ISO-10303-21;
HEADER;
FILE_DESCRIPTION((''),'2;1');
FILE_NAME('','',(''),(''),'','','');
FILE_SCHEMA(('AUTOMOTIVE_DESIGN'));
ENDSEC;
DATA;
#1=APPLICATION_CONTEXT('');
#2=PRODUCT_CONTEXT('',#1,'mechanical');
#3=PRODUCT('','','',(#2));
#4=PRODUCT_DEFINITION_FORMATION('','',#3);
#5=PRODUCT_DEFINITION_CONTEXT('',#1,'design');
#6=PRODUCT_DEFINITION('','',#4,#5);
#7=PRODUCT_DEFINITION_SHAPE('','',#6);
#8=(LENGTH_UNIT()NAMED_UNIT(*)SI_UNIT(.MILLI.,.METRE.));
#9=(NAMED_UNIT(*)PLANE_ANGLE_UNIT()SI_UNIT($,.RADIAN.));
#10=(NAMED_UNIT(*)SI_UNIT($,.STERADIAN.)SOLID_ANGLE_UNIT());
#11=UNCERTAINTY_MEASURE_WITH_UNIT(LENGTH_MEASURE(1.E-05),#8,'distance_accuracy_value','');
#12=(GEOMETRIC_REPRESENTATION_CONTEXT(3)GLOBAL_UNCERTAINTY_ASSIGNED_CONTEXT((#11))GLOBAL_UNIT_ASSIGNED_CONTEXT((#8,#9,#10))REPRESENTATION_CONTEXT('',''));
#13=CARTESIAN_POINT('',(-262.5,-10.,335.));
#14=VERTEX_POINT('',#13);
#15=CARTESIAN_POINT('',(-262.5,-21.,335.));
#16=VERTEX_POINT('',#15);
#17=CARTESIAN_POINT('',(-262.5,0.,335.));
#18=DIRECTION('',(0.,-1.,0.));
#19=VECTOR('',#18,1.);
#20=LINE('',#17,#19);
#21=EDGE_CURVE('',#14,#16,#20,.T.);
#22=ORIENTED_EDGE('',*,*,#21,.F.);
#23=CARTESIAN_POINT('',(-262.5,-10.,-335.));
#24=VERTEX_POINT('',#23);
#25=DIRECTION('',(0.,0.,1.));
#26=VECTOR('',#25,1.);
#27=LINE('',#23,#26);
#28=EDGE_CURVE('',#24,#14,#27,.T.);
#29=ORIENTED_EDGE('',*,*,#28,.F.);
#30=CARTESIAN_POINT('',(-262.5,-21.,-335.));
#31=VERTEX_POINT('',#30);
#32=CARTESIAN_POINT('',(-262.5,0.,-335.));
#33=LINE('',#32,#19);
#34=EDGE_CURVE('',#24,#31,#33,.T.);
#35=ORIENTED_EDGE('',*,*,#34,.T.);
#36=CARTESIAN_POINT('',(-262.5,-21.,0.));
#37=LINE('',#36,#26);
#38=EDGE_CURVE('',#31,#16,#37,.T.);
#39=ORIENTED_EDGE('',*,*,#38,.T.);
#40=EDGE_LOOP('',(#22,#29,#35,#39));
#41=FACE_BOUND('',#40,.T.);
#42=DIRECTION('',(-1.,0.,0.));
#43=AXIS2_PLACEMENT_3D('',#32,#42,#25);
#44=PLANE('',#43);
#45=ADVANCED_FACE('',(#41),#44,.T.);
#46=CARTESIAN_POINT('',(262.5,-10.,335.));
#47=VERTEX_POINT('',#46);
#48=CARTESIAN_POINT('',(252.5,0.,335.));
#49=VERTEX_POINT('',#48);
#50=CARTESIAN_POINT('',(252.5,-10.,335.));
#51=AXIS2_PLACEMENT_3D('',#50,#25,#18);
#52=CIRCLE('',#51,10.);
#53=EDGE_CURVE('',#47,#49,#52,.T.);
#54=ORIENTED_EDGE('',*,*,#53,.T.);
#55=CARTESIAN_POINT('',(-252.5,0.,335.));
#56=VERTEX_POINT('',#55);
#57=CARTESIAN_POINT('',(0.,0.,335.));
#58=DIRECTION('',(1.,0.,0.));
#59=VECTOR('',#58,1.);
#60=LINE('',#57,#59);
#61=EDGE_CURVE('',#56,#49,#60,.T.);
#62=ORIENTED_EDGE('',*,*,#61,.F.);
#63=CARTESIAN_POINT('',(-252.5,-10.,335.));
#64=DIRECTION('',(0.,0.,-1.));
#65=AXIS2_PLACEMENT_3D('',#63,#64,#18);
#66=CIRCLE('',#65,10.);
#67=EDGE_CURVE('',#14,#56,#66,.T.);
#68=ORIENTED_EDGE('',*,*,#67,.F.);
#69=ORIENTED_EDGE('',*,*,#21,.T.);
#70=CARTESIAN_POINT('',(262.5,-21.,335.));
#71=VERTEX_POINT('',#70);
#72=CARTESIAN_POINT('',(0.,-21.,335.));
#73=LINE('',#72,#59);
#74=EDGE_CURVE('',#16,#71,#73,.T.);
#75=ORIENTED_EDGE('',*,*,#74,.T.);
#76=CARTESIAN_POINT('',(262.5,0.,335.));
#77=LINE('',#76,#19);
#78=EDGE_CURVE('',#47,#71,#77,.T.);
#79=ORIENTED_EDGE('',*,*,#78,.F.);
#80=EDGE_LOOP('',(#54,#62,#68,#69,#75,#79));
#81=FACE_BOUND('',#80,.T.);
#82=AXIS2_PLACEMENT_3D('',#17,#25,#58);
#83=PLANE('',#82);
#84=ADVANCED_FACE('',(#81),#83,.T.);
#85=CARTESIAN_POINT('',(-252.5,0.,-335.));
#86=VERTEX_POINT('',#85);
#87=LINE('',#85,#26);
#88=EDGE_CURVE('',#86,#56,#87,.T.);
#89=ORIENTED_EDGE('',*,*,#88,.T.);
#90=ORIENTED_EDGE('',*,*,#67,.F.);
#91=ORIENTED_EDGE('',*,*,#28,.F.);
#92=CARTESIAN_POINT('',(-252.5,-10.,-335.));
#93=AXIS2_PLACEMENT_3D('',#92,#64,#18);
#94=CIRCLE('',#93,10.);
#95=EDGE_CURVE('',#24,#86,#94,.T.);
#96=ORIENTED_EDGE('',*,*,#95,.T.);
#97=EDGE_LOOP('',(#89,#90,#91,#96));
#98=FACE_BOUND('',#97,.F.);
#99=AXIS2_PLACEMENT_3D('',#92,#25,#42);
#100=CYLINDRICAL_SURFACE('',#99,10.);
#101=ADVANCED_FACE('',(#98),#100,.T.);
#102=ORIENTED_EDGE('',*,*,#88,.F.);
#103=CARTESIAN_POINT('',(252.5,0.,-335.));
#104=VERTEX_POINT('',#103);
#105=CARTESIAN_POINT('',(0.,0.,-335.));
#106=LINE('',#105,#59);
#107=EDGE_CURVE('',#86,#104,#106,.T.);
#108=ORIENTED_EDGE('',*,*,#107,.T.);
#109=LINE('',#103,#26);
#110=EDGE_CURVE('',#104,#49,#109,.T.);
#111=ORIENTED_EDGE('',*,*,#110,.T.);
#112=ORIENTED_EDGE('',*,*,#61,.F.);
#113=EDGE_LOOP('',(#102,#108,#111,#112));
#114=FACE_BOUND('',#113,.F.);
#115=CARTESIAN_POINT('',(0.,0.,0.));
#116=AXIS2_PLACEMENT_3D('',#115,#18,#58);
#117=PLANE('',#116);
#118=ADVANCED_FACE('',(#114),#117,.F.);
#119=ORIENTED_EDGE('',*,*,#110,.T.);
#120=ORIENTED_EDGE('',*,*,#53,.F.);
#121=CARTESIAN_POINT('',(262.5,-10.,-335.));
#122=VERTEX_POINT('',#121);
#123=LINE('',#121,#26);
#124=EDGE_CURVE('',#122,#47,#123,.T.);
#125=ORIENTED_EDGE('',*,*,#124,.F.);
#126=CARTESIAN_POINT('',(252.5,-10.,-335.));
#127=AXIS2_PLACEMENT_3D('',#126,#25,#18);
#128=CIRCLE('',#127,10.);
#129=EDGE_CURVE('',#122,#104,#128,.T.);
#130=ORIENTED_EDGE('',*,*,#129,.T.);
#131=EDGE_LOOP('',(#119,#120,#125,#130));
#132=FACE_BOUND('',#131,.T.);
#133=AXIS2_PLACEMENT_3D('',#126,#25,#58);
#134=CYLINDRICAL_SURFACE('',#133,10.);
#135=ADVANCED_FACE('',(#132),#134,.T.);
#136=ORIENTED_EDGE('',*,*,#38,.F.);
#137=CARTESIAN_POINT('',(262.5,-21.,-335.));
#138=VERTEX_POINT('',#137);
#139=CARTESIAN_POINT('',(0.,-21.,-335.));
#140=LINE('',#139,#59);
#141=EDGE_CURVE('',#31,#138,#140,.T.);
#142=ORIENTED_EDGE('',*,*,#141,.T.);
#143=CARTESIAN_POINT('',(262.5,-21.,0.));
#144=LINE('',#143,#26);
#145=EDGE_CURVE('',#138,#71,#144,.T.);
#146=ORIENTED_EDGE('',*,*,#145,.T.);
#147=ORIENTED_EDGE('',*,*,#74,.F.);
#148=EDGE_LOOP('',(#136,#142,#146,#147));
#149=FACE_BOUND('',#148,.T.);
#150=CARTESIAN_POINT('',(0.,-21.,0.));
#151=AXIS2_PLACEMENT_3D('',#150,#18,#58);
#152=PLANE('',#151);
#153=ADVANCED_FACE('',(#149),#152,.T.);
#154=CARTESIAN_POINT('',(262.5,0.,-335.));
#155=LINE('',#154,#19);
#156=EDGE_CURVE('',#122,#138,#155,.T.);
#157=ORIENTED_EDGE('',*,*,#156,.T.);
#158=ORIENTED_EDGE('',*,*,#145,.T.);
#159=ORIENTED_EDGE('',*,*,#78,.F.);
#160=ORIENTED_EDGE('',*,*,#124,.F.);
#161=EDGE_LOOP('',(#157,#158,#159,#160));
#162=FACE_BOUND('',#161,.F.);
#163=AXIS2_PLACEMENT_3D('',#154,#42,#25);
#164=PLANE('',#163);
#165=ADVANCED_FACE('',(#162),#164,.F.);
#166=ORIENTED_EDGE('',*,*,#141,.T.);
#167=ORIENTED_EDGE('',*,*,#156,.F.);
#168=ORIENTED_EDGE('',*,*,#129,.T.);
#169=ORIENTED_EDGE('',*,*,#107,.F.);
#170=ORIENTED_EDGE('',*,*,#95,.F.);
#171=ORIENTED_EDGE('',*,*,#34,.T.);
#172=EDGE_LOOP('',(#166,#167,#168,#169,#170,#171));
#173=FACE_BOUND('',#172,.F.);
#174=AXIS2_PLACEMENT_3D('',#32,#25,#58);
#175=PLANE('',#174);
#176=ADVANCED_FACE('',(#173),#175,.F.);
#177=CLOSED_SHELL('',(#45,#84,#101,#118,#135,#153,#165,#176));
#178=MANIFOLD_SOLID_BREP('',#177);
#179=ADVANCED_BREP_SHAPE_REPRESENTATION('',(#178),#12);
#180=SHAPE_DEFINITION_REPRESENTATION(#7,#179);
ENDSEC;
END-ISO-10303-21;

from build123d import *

# Parameters (mm, degrees)
F0_W     = 525
F0_H     = 670
F1_DEPTH = 21
F2_R     = 10


with BuildPart() as f1:
    # F0 (on Front) → F1 (new body)
    with BuildSketch(Plane.XZ):
        Rectangle(F0_W, F0_H)
    extrude(amount=F1_DEPTH)

    # F2
    f2_edges = [f1.edges().sort_by_distance(p)[0] for p in [
        (-262.5, 0, 0),
        (262.5, 0, 0),
    ]]
    fillet(f2_edges, radius=F2_R)


solid = f1.part
